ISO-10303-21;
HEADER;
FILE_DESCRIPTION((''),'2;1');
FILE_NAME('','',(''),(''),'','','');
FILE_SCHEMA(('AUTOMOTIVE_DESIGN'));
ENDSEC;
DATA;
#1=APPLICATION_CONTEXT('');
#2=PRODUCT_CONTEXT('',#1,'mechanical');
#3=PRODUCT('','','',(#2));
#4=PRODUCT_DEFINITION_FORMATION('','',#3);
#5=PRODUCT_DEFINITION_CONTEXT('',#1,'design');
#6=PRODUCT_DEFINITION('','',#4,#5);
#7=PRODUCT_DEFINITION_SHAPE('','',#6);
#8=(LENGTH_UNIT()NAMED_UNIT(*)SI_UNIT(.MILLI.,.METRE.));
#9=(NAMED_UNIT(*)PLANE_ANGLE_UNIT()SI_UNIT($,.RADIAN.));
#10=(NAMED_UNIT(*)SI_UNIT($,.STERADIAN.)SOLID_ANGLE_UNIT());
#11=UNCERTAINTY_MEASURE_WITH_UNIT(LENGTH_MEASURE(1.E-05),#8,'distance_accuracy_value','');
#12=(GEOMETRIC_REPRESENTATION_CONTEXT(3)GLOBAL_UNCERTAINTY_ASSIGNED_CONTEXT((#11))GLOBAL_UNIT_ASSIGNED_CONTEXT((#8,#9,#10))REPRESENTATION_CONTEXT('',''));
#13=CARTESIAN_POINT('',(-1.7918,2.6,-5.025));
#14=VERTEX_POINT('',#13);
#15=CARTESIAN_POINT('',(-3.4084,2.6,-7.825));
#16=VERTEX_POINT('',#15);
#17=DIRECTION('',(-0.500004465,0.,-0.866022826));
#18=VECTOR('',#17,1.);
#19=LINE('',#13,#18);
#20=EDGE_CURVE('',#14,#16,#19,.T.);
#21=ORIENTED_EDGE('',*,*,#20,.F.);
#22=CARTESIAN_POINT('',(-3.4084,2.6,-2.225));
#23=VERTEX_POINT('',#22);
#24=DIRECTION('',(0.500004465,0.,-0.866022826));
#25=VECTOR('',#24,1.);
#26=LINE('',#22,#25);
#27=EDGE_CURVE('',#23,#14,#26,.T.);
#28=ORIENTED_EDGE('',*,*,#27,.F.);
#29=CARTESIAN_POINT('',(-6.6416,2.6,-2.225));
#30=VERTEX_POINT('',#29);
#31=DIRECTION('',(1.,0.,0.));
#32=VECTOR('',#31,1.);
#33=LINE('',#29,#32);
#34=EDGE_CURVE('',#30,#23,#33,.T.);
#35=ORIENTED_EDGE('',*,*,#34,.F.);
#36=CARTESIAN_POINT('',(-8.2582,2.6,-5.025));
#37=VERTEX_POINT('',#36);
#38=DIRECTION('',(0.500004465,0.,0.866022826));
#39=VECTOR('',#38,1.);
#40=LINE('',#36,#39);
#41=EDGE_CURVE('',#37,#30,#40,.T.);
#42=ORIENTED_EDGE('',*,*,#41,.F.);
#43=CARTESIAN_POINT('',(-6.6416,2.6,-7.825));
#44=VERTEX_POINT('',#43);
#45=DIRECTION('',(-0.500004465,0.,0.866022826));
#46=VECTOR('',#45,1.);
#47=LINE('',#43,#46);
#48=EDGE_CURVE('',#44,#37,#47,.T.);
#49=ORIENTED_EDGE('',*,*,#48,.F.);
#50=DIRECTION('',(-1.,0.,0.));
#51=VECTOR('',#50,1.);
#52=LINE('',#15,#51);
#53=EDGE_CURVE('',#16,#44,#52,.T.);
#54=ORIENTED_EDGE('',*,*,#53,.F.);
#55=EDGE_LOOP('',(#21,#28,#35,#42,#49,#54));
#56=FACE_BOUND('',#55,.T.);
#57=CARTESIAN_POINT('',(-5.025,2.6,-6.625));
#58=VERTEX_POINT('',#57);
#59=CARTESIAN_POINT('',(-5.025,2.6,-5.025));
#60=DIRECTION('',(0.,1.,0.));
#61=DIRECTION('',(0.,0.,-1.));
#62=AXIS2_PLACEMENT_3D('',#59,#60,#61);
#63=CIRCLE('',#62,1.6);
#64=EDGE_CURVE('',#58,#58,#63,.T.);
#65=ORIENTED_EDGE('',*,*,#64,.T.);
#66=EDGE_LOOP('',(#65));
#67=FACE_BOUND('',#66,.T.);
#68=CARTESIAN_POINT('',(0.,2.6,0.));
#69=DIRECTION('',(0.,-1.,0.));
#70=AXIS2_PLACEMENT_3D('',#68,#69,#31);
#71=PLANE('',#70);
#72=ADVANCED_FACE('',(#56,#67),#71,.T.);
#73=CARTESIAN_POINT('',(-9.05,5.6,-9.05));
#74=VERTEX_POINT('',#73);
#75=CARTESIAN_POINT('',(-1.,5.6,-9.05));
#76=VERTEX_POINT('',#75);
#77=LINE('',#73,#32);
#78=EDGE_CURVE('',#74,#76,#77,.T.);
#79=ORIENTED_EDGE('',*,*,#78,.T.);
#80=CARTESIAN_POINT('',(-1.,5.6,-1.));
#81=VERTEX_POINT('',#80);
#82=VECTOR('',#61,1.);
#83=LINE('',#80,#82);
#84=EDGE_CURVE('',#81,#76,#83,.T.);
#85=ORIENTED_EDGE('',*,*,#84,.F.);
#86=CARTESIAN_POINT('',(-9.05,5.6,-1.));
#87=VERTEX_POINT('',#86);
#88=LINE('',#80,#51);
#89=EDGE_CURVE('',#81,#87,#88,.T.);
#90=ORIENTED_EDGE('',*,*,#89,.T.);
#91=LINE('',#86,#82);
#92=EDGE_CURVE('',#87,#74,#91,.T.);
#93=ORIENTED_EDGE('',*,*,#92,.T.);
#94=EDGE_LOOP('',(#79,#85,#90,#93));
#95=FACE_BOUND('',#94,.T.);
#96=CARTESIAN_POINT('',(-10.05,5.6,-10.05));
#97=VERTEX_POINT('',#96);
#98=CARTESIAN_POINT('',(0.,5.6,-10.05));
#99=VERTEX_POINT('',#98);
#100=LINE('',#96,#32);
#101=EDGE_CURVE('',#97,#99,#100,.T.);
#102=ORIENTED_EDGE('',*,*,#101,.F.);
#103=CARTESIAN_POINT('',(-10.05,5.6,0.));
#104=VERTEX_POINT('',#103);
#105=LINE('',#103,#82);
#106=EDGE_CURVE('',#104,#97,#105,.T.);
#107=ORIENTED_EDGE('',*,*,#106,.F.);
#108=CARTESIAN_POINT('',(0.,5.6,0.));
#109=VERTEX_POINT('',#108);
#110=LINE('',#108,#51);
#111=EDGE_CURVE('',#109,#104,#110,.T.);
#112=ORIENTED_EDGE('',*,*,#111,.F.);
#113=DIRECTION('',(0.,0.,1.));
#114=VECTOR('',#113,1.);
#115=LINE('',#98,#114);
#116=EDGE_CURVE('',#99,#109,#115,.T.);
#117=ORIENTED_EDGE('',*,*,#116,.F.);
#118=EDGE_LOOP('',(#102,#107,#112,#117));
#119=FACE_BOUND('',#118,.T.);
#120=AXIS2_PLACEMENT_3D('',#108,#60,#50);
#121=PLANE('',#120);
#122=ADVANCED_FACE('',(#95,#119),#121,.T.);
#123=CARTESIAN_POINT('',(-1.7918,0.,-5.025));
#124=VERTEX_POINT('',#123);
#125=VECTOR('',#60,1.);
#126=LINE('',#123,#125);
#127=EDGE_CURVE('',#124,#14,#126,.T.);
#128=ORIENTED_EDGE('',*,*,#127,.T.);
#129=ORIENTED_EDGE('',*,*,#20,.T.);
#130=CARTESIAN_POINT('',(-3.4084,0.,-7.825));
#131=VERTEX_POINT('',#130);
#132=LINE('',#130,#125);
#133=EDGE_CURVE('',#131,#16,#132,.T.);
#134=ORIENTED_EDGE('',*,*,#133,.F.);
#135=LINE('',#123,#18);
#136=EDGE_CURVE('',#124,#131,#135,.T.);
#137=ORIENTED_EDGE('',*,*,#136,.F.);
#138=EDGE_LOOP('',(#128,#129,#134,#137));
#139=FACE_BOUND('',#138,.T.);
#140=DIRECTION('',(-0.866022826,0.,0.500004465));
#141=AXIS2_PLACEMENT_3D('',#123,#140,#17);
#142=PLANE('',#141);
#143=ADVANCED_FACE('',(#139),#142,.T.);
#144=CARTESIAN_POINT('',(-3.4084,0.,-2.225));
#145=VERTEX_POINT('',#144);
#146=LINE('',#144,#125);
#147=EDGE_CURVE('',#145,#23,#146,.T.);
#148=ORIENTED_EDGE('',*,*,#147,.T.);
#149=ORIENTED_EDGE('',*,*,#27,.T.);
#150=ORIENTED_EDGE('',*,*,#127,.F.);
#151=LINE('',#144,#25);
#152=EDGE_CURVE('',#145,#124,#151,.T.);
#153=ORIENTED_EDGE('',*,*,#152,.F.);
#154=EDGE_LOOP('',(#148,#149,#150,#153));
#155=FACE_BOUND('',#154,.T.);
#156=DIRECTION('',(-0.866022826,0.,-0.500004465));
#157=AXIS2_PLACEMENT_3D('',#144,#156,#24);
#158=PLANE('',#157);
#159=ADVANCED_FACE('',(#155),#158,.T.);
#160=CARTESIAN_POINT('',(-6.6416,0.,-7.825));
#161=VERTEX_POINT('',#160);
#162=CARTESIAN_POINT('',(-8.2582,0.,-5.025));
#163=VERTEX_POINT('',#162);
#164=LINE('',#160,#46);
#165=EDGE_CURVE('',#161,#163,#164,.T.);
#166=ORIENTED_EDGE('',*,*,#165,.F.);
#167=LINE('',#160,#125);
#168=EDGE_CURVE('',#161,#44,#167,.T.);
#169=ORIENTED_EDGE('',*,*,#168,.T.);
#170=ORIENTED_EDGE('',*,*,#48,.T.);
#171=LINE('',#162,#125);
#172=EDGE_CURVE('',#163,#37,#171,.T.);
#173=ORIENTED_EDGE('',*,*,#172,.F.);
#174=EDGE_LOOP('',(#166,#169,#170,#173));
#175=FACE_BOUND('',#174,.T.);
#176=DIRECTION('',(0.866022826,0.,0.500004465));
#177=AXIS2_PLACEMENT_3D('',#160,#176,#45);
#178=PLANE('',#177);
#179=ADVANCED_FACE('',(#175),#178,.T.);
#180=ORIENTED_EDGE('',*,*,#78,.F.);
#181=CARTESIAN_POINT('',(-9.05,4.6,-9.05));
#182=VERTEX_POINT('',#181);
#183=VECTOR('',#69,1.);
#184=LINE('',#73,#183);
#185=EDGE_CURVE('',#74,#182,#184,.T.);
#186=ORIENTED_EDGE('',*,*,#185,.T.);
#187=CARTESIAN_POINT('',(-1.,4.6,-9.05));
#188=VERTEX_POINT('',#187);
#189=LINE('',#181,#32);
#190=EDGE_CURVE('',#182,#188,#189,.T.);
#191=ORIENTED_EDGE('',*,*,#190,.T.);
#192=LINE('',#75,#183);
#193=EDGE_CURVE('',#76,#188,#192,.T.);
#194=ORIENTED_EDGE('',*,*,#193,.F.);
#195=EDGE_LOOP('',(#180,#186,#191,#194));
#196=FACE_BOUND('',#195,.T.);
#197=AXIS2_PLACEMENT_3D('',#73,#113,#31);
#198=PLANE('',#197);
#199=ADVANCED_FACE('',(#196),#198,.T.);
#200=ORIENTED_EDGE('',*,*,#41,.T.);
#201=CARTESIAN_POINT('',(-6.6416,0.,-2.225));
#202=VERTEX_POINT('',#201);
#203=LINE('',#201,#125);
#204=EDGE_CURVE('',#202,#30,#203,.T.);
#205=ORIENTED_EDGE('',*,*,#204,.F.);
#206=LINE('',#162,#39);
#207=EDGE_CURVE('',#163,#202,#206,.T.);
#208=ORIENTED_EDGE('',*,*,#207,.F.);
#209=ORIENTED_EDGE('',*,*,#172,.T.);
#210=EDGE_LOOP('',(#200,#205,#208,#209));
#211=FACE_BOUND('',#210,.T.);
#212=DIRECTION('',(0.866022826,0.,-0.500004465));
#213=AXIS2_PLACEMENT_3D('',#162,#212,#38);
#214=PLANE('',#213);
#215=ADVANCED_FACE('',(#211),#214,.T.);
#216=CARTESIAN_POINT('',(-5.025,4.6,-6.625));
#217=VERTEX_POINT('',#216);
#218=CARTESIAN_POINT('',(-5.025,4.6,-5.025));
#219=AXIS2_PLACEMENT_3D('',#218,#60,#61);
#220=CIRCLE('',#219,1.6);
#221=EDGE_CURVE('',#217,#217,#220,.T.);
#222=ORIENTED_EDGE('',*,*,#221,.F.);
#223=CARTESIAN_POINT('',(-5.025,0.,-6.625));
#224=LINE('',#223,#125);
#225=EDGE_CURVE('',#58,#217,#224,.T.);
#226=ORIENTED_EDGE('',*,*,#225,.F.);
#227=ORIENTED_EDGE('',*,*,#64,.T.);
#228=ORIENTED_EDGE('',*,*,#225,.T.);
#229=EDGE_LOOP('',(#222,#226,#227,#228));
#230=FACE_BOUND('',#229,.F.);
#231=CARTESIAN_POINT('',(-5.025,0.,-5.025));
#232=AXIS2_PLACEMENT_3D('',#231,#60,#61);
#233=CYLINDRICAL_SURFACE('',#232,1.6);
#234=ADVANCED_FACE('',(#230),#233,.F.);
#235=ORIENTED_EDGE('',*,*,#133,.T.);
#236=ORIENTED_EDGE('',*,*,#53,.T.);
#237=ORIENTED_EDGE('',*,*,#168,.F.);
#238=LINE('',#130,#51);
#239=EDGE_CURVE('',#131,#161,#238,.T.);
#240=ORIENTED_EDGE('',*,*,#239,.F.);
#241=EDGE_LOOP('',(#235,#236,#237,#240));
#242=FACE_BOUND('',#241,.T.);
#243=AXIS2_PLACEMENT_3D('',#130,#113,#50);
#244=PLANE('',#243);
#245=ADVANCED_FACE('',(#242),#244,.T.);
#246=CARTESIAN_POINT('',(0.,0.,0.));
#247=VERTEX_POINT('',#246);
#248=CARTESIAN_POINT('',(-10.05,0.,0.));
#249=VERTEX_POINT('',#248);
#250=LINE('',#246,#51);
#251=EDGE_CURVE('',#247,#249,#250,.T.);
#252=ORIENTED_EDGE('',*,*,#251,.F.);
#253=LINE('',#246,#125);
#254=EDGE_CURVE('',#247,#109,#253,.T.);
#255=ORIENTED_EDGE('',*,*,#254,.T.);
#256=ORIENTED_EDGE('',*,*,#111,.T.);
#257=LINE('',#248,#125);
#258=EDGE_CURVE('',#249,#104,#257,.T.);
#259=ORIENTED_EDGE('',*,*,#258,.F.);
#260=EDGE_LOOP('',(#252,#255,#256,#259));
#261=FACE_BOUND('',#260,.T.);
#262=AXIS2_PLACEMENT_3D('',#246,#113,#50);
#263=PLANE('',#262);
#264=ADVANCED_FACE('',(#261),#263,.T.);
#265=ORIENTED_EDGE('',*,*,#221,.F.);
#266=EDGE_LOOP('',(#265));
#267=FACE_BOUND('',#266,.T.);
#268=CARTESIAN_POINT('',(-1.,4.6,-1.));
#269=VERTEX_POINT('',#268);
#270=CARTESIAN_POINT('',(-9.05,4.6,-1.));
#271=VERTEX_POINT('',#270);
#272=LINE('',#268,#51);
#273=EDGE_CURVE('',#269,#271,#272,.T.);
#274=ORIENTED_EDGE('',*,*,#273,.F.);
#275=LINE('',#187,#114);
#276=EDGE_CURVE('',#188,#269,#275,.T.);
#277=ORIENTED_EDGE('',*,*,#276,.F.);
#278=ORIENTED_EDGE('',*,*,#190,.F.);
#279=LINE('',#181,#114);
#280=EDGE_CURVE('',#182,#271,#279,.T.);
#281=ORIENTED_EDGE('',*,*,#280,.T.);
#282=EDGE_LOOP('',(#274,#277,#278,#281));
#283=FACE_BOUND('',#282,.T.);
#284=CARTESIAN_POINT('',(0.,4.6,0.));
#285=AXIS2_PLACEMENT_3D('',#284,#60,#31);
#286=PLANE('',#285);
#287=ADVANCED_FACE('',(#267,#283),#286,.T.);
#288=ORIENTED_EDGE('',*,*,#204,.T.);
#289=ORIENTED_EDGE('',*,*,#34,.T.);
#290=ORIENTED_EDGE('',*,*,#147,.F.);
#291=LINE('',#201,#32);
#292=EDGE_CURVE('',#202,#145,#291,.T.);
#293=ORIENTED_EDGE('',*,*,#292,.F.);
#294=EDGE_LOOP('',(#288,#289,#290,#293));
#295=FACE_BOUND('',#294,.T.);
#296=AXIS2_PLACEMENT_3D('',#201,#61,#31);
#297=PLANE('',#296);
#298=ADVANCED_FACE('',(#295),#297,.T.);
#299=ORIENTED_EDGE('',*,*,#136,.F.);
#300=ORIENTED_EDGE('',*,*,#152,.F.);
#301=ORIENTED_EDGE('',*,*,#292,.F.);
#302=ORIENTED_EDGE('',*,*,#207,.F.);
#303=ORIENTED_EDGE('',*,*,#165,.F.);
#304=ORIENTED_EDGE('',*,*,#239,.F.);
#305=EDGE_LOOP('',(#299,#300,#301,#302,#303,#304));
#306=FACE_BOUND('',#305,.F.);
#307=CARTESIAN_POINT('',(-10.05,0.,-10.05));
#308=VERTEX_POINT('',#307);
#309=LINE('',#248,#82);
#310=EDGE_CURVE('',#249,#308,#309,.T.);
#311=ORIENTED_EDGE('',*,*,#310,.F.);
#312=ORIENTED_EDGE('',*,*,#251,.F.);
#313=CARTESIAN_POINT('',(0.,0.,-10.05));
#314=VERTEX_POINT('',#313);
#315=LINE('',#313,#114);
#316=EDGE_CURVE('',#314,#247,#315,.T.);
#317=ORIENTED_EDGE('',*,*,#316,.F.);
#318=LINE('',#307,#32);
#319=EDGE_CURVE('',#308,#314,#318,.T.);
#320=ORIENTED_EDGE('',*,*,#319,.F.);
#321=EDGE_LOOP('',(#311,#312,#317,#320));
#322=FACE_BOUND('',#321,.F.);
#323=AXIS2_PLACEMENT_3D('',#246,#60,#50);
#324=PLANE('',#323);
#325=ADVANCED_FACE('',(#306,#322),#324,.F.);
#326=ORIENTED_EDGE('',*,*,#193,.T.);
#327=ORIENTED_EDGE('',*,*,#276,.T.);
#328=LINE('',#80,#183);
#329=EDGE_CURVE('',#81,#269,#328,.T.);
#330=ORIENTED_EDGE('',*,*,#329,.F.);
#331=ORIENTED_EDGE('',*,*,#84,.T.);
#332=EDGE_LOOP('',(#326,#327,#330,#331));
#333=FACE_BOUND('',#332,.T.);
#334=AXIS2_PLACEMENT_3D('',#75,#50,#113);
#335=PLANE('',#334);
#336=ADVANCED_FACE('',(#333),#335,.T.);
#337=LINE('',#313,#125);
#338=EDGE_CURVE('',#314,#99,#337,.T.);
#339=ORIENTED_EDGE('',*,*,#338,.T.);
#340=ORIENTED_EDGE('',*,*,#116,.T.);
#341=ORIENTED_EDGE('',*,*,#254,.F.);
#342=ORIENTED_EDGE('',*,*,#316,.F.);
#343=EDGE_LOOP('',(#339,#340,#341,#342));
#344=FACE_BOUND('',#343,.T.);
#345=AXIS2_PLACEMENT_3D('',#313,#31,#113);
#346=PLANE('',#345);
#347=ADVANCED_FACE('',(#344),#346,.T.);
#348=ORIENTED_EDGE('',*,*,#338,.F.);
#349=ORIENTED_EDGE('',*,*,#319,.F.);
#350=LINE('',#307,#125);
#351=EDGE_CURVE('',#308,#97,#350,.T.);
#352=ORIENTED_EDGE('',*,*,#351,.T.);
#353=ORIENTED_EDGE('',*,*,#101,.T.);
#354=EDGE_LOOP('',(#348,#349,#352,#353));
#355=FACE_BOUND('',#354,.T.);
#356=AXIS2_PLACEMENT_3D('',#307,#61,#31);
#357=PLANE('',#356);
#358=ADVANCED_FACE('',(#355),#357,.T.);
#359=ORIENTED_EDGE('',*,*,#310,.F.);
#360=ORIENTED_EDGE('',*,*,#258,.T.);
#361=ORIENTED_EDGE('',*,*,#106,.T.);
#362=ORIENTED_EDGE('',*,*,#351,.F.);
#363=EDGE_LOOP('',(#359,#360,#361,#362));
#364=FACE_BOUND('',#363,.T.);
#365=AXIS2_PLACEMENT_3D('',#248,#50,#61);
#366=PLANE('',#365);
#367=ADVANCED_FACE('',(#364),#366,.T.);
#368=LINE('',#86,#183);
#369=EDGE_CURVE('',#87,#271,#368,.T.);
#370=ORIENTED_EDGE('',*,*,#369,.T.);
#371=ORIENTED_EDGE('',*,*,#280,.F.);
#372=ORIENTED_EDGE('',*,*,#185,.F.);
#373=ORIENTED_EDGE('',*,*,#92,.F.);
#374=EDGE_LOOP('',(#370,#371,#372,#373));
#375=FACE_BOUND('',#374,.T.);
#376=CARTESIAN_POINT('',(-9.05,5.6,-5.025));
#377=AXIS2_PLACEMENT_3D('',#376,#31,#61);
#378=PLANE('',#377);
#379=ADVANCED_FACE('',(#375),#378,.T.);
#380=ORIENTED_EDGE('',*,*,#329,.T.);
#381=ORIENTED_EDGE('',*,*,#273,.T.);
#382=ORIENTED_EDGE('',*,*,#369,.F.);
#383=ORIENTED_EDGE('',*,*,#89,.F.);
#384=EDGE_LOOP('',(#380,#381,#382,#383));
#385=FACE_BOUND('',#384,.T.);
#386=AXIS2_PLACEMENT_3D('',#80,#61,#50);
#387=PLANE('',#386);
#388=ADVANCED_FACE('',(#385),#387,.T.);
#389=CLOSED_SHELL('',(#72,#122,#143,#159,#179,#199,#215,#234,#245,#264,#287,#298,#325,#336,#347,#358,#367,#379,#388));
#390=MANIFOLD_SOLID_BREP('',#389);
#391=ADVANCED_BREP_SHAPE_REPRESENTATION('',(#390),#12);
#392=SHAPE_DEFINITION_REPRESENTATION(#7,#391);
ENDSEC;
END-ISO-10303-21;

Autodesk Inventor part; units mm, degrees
ref_plane "YZ Plane" through (0, 0, 0) normal (1, 0, 0) x (0, 1, 0)
ref_plane "XZ Plane" through (0, 0, 0) normal (0, 1, 0) x (-1, 0, 0)
ref_plane "XY Plane" through (0, 0, 0) normal (0, 0, 1) x (1, 0, 0)
sketch "Эскиз1" plane through (0, 0, 0) normal (0, 1, 0) x (-1, 0, 0)
  line L0 (0, 0) -> (10.05, 0)
  line L1 (10.05, 0) -> (10.05, -10.05)
  line L2 (10.05, -10.05) -> (0, -10.05)
  line L3 (0, -10.05) -> (0, 0)
  dimension "d0" = 10.05
  dimension "d1" = 10.05
extrude "Выдавливание1" add sketch "Эскиз1" along normal blind 5.6
sketch "Эскиз2" plane through (0, 5.6, 0) normal (0, 1, 0) x (1, 0, 0)
  line L0 (-10.05, 10.05) -> (-10.05, 0) projected
  line L1 (-10.05, 5.025) -> (0, 5.025)
  line L2 (0, 0) -> (0, 10.05) projected
  line L3 (-1, 1) -> (-9.05, 1)
  line L4 (-9.05, 1) -> (-9.05, 9.05)
  line L5 (-9.05, 9.05) -> (-1, 9.05)
  line L6 (-1, 9.05) -> (-1, 1)
  line L7 (-1, 1) -> (-9.05, 9.05) construction
  line L8 (-9.05, 1) -> (-1, 9.05) construction
  point P0 (-5.025, 5.025)
  dimension "d4" = 10.05
  dimension "d5" = 10.05
  dimension "d6" = 8.05
  dimension "d7" = 8.05
extrude "Выдавливание2" cut sketch "Эскиз2" against normal blind 1
sketch "Эскиз3" plane through (0, 0, 0) normal (0, -1, 0) x (1, 0, 0)
  line L0 (0, 0) -> (0, -10.05) projected
  line L1 (0, -5.025) -> (-10.05, -5.025)
  line L2 (-10.05, -10.05) -> (-10.05, 0) projected
  point P0 (-5.025, -5.025)
hole "Отверстие1" at (-5.025, 0, -5.025) direction (0, 1, 0) diameter 3.2 end through all
sketch "Эскиз4" plane through (0, 0, 0) normal (0, -1, 0) x (1, 0, 0)
  circle A0 centre (-5.025, -5.025) radius 1.6 projected
  line L0 (-6.6416, -7.825) -> (-8.2582, -5.025)
  line L1 (-8.2582, -5.025) -> (-6.6416, -2.225)
  line L2 (-6.6416, -2.225) -> (-3.4084, -2.225)
  line L3 (-3.4084, -2.225) -> (-1.7918, -5.025)
  line L4 (-1.7918, -5.025) -> (-3.4084, -7.825)
  line L5 (-3.4084, -7.825) -> (-6.6416, -7.825)
  point P0 (0, 0)
  dimension "d17" = 5.6
extrude "Выдавливание3" cut sketch "Эскиз4" against normal blind 2.6 contours A0 | L0 L1 L2 L3 L4 L5
properties part number "Тестовая модель (деталь в деталь)"
